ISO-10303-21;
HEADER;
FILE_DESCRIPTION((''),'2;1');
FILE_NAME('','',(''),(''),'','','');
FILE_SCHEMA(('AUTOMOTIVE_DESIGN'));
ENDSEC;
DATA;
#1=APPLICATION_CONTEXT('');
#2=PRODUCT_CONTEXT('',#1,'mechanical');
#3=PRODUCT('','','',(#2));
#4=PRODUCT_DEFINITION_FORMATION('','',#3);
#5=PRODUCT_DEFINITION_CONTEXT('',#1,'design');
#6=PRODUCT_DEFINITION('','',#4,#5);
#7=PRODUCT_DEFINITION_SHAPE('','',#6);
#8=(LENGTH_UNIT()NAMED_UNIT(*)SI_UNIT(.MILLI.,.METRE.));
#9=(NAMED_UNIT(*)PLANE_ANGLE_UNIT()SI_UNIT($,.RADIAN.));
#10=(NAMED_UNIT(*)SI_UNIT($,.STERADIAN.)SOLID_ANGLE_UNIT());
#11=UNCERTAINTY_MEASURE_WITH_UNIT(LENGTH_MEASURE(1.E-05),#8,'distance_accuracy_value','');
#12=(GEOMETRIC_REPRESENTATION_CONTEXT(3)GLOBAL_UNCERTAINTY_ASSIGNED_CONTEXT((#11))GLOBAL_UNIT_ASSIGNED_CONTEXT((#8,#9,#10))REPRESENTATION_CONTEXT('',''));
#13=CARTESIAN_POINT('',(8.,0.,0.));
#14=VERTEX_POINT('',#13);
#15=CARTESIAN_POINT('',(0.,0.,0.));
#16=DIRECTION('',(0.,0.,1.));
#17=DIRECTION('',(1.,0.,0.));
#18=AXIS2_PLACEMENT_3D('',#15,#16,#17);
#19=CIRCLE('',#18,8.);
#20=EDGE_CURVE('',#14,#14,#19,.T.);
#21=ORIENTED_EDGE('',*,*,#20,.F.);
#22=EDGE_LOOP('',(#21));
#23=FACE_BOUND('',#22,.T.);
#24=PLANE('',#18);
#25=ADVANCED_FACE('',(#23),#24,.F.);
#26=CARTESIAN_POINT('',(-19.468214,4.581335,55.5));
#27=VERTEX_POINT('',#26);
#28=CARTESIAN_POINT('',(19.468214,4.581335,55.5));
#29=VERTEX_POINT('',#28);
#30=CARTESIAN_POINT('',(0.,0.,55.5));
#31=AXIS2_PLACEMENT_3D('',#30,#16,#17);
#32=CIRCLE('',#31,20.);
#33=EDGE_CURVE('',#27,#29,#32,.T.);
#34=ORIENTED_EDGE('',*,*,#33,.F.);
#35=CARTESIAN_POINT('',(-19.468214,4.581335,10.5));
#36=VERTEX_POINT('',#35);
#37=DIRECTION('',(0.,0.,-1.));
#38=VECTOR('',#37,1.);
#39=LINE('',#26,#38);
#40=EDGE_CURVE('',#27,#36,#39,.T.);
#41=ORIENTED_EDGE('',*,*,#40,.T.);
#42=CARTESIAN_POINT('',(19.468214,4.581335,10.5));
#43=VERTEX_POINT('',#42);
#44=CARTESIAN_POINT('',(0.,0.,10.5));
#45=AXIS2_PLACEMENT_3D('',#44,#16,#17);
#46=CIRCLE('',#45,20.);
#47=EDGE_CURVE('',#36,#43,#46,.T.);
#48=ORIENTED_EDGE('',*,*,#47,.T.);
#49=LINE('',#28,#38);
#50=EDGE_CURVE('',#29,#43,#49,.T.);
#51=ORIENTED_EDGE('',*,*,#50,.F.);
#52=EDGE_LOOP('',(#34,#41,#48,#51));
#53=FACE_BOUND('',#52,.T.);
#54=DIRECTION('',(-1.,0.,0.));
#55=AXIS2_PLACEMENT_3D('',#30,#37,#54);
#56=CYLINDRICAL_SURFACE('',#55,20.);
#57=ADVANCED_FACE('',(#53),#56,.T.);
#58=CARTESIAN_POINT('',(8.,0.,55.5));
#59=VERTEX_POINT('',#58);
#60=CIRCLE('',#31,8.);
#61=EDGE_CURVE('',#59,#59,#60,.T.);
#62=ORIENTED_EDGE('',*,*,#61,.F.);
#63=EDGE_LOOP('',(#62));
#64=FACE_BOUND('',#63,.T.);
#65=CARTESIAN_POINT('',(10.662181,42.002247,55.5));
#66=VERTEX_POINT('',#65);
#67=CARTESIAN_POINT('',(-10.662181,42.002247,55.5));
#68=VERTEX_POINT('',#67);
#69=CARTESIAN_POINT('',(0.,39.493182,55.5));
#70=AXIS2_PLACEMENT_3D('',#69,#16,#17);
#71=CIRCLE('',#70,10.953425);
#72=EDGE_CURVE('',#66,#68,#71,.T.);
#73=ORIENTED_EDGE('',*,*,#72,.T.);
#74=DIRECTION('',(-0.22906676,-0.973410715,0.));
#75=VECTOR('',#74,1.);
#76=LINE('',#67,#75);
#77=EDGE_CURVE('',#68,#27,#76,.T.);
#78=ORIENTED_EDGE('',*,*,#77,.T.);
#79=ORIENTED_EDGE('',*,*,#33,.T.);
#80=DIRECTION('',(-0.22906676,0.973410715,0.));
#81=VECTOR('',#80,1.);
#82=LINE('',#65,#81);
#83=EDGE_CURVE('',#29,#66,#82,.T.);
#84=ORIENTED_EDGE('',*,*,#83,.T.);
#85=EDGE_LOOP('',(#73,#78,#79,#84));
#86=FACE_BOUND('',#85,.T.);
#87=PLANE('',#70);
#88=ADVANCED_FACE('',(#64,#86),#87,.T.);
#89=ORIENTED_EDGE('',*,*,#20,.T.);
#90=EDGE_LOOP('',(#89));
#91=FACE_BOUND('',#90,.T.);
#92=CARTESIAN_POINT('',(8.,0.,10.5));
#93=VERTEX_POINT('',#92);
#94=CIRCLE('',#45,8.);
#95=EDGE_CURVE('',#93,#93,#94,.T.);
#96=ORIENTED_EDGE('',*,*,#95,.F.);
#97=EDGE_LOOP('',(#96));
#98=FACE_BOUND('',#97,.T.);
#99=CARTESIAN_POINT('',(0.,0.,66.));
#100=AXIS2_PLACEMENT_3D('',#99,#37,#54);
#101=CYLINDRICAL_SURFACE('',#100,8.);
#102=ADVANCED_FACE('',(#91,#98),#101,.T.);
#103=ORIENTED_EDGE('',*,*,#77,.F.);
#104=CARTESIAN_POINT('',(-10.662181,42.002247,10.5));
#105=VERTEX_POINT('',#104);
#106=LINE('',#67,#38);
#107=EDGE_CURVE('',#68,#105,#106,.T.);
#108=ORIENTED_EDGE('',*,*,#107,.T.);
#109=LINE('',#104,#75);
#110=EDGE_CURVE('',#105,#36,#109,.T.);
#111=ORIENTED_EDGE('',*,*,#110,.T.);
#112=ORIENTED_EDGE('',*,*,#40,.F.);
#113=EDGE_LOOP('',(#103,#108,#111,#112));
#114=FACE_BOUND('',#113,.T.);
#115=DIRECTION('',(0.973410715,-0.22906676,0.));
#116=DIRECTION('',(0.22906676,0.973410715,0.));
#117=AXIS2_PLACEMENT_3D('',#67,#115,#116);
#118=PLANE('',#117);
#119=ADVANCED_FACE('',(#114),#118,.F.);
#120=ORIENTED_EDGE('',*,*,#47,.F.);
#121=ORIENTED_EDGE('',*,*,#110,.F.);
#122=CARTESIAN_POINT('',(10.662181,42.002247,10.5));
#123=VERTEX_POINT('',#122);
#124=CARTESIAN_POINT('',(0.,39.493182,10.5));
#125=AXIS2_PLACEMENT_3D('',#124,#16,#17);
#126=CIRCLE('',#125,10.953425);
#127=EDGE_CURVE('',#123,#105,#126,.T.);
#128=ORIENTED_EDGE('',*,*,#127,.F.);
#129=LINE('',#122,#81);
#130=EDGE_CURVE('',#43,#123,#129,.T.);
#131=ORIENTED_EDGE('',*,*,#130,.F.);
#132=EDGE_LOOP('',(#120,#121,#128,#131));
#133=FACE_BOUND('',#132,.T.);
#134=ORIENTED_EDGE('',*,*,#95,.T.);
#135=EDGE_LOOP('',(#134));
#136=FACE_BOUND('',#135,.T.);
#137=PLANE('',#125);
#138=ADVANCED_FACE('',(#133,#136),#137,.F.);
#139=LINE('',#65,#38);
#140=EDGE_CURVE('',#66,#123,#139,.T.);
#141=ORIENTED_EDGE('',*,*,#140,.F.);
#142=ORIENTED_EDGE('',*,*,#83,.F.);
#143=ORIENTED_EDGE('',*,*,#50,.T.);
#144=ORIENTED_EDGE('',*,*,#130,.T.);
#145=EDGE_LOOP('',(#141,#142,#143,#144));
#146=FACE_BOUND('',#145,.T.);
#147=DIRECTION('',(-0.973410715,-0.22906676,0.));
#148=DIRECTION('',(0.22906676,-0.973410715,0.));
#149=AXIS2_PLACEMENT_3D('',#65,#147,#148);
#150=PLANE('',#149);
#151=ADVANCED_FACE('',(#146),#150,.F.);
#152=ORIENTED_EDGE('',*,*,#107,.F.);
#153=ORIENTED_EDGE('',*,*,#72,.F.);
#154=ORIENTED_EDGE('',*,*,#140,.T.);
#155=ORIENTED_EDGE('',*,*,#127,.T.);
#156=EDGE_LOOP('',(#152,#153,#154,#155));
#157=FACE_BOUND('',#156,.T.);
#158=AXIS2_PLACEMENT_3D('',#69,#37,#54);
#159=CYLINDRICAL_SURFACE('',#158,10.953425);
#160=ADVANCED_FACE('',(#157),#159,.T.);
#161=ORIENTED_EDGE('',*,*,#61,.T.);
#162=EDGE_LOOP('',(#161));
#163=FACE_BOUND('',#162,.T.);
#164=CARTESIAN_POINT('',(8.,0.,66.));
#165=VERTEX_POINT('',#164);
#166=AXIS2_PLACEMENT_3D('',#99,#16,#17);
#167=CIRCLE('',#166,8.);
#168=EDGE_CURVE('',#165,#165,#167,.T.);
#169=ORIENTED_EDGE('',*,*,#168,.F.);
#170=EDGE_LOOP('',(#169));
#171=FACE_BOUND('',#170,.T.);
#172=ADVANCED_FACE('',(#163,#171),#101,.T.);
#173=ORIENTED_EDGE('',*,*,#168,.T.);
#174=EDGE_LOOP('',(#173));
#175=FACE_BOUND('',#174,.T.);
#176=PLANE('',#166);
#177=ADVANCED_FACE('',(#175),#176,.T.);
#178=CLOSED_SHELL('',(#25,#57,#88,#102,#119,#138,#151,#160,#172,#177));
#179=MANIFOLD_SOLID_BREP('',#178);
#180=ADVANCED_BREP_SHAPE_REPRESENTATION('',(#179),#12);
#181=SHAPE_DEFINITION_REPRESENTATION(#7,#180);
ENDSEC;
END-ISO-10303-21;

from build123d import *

# Parameters (mm, degrees)
SKETCH1_R           = 8
BOSS_EXTRUDE1_DEPTH = 66
BOSS_EXTRUDE2_DEPTH = 22.5


with BuildPart() as part:
    # Sketch1 → Boss-Extrude1 (new body)
    with BuildSketch(Plane.XY):
        Circle(SKETCH1_R)
    extrude(amount=BOSS_EXTRUDE1_DEPTH)

    # Sketch2 → Boss-Extrude2 (add, symmetric)
    with BuildSketch(Plane.XY.offset(33)):
        with BuildLine():
            Line((-10.662181086, 42.002247261), (-19.468214294, 4.581335198))
            ThreePointArc((-19.468214294, 4.581335198), (0, -20), (19.468214294, 4.581335198))
            Line((19.468214294, 4.581335198), (10.662181086, 42.002247261))
            ThreePointArc((10.662181086, 42.002247261), (0, 50.44660655), (-10.662181086, 42.002247261))
        make_face()
    extrude(amount=BOSS_EXTRUDE2_DEPTH, both=True)


solid = part.part
